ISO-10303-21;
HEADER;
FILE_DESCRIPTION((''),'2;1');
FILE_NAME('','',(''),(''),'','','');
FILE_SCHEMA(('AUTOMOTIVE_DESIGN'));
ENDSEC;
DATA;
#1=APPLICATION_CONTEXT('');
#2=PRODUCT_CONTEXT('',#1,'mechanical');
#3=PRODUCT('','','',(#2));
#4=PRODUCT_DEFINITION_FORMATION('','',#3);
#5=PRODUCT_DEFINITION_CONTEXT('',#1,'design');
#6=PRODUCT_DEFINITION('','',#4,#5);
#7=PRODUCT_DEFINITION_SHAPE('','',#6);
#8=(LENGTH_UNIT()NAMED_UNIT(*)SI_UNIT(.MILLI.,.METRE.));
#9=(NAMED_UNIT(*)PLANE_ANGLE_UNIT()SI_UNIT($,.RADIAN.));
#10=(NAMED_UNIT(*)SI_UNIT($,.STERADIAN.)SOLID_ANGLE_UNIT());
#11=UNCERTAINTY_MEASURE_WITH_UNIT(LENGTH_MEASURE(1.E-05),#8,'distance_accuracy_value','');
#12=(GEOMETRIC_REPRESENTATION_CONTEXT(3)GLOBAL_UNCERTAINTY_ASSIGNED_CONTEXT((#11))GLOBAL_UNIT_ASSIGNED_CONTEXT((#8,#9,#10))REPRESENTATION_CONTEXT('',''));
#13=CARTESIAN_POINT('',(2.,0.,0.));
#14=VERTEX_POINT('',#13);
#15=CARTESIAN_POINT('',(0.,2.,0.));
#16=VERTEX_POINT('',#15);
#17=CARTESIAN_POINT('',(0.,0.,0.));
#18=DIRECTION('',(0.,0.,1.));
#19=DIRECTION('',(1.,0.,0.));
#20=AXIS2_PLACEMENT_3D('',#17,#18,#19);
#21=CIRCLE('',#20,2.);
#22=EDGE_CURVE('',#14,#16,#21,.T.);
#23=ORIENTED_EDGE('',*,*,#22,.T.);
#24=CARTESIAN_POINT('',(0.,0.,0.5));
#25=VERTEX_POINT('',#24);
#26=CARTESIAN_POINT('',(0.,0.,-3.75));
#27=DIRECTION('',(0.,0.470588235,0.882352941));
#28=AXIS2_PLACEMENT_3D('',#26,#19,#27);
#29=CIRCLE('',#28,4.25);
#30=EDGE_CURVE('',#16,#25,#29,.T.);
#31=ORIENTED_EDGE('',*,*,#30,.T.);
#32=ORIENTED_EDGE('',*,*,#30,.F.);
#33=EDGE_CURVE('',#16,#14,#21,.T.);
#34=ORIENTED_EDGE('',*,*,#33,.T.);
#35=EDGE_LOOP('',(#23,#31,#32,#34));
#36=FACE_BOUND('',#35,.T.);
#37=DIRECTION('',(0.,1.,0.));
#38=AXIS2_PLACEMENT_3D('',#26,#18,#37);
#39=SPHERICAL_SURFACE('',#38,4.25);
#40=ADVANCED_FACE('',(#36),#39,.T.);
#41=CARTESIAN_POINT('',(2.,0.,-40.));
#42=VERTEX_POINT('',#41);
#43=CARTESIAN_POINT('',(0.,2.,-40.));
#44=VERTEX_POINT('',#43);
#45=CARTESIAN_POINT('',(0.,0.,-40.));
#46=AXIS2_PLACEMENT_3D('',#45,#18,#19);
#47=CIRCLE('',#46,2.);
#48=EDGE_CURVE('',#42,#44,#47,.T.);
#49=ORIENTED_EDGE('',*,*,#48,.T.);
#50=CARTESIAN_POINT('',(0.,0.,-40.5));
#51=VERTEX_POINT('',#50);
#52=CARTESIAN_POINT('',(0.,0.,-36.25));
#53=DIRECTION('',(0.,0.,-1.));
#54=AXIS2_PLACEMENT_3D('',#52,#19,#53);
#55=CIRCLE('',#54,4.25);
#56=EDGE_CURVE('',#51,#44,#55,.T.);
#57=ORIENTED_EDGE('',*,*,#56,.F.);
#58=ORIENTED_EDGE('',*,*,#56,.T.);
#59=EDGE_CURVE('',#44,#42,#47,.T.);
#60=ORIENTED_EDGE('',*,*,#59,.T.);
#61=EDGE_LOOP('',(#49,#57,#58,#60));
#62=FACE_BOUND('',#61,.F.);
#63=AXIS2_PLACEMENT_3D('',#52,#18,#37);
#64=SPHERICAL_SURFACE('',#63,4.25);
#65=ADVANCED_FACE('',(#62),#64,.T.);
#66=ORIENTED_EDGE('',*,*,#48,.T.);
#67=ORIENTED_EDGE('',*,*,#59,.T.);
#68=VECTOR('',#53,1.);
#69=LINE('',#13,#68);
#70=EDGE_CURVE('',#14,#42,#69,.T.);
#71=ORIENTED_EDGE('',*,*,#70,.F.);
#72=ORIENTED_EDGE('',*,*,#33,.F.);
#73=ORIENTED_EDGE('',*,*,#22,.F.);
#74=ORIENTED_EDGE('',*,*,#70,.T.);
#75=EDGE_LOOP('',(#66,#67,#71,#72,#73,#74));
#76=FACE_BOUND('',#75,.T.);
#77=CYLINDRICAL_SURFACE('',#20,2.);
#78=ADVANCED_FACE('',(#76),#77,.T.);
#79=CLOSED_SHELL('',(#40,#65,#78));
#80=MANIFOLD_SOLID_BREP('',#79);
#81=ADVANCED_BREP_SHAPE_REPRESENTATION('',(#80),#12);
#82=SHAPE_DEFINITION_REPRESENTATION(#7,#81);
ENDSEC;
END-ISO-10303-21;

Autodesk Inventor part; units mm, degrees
ref_plane "YZ Plane" through (0, 0, 0) normal (1, 0, 0) x (0, 1, 0)
ref_plane "XZ Plane" through (0, 0, 0) normal (0, 1, 0) x (-1, 0, 0)
ref_plane "XY Plane" through (0, 0, 0) normal (0, 0, 1) x (1, 0, 0)
sketch "Sketch1" plane through (0, 0, 0) normal (0, 0, 1) x (1, 0, 0)
  circle A0 centre (0, 0) radius 2
  dimension "d0" = 4
extrude "Extrusion1" add sketch "Sketch1" against normal blind 40
sketch "Sketch3" plane through (0, 0, 0) normal (1, 0, 0) x (0, 1, 0)
  line L0 (0, 0) -> (0, 0.5)
  line L1 (2, 0) -> (-2, 0) projected
  arc A0 (2, 0) -> (0, 0.5) centre (0, -3.75) ccw
  line L2 (2, 0) -> (0, 0)
  dimension "d5" = 0.5
  dimension "d7" = 4.25
revolve "Revolution1" add sketch "Sketch3" angle 360 about axis through (0, 0, 0) along (0, 0, 1)
sketch "Sketch4" plane through (0, 0, 0) normal (1, 0, 0) x (0, 1, 0)
  line L0 (-2, -40) -> (2, -40) projected
  line L1 (0, -40) -> (0, -40.5)
  arc A0 (0, -40.5) -> (2, -40) centre (0, -36.25) ccw
  line L2 (2, -40) -> (0, -40)
  point P0 (0, 0)
  dimension "d9" = 0.5
  dimension "d11" = 4.25
revolve "Revolution2" add sketch "Sketch4" angle 360 about axis through (0, 0, -40) along (0, 0, -1)
properties part number "Poker hinge 3"
